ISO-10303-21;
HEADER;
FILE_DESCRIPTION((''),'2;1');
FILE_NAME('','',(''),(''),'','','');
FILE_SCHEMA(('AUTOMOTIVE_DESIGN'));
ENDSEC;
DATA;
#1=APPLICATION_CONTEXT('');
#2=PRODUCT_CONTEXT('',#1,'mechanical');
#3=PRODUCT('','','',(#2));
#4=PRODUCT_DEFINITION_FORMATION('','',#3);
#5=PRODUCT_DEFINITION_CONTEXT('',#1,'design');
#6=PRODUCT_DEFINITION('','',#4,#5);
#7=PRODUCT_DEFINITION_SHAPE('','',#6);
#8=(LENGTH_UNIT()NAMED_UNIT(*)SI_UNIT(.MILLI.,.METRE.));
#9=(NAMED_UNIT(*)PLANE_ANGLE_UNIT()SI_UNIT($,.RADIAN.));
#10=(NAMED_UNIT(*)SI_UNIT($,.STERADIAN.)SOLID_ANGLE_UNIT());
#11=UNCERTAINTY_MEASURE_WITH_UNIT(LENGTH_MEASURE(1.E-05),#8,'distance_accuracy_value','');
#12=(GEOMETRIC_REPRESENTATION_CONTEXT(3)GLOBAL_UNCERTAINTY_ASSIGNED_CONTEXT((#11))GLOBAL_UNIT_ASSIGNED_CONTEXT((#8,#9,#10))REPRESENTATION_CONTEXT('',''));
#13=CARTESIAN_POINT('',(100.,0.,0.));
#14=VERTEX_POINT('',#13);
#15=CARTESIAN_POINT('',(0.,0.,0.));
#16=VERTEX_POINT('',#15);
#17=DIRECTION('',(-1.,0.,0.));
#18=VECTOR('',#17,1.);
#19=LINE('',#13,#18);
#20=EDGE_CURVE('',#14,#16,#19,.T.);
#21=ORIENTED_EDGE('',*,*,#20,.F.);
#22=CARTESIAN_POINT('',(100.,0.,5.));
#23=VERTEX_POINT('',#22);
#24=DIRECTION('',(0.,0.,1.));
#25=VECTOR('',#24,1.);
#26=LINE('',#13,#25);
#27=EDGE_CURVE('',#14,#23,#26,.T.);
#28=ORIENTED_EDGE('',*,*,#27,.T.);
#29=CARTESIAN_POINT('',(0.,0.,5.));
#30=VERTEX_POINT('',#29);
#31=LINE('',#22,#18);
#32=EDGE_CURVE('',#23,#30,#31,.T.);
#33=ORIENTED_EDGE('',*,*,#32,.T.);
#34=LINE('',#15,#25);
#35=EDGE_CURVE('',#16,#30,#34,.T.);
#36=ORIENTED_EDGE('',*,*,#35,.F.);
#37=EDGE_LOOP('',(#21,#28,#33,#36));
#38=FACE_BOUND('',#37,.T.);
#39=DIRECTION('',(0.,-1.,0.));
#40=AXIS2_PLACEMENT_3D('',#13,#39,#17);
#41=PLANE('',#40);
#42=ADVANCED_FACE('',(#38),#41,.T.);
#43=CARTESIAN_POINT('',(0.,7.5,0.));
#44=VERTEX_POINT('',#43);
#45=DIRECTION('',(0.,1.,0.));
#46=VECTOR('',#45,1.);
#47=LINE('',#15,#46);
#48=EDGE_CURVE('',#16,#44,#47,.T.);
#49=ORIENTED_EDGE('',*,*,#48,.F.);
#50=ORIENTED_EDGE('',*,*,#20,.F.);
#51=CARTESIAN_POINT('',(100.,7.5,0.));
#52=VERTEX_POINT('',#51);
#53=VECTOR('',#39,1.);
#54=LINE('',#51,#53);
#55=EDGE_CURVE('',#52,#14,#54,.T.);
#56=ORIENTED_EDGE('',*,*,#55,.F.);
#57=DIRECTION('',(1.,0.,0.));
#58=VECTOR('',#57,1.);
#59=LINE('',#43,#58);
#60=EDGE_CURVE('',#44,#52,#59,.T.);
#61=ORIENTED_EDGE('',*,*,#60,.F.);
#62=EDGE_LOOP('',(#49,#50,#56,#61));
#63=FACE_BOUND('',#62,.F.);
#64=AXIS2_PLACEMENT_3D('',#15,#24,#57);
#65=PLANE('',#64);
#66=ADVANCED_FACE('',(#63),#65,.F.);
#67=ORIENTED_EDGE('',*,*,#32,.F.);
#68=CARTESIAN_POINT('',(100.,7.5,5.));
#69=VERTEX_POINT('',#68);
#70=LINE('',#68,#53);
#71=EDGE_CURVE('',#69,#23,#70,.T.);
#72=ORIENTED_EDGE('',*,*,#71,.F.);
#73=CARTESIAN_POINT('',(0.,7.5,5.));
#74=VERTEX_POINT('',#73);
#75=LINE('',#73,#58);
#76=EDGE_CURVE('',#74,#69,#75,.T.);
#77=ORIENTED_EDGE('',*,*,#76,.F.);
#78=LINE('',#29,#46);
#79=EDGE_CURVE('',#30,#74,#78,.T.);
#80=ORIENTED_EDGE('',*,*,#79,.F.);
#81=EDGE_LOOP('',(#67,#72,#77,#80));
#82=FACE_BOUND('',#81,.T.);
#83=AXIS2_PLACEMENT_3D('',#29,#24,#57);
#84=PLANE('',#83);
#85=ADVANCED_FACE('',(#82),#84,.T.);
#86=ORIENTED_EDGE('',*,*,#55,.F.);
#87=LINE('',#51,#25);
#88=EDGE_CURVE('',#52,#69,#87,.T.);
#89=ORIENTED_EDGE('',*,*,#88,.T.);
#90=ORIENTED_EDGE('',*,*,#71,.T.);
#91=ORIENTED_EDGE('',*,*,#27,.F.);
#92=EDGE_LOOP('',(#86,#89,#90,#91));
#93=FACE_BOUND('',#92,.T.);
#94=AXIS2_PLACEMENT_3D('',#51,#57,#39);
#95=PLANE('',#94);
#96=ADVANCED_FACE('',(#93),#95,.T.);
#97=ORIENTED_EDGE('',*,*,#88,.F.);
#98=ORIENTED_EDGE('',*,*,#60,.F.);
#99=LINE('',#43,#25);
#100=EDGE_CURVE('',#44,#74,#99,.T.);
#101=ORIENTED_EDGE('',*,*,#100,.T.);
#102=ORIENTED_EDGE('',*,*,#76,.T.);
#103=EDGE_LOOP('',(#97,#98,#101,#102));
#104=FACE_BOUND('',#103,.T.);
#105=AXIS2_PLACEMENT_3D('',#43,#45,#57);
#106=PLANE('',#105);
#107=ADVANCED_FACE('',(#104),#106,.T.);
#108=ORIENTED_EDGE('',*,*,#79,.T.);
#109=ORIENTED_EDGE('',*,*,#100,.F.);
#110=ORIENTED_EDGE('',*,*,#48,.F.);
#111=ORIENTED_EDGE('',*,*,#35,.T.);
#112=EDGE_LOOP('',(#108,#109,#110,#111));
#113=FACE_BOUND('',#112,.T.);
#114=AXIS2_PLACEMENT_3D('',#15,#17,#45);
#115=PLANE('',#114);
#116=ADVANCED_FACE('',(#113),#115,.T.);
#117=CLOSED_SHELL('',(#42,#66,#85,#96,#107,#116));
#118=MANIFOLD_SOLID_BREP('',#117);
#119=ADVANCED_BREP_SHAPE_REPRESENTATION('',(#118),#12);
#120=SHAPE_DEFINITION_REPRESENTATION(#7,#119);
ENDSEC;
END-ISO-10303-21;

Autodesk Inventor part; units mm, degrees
ref_plane "YZ Plane" through (0, 0, 0) normal (1, 0, 0) x (0, 1, 0)
ref_plane "XZ Plane" through (0, 0, 0) normal (0, 1, 0) x (-1, 0, 0)
ref_plane "XY Plane" through (0, 0, 0) normal (0, 0, 1) x (1, 0, 0)
sketch "Sketch1" plane through (0, 0, 0) normal (0, 0, 1) x (1, 0, 0)
  line L0 (0, 0) -> (0, 7.5)
  line L1 (0, 0) -> (7.5, 0) construction
  line L2 (0, 7.5) -> (100, 7.5)
  line L3 (100, 7.5) -> (100, 0)
  line L4 (100, 0) -> (0, 0)
  dimension "d0" = 7.5
  dimension "d1" = 90
  dimension "d2" = 100
  dimension "d3" = 90
  dimension "d4" = 7.5
  dimension "d5" = 90
extrude "Extrusion1" add sketch "Sketch1" along normal blind 5
properties part number "line_edge_parkinglot_1_2"
